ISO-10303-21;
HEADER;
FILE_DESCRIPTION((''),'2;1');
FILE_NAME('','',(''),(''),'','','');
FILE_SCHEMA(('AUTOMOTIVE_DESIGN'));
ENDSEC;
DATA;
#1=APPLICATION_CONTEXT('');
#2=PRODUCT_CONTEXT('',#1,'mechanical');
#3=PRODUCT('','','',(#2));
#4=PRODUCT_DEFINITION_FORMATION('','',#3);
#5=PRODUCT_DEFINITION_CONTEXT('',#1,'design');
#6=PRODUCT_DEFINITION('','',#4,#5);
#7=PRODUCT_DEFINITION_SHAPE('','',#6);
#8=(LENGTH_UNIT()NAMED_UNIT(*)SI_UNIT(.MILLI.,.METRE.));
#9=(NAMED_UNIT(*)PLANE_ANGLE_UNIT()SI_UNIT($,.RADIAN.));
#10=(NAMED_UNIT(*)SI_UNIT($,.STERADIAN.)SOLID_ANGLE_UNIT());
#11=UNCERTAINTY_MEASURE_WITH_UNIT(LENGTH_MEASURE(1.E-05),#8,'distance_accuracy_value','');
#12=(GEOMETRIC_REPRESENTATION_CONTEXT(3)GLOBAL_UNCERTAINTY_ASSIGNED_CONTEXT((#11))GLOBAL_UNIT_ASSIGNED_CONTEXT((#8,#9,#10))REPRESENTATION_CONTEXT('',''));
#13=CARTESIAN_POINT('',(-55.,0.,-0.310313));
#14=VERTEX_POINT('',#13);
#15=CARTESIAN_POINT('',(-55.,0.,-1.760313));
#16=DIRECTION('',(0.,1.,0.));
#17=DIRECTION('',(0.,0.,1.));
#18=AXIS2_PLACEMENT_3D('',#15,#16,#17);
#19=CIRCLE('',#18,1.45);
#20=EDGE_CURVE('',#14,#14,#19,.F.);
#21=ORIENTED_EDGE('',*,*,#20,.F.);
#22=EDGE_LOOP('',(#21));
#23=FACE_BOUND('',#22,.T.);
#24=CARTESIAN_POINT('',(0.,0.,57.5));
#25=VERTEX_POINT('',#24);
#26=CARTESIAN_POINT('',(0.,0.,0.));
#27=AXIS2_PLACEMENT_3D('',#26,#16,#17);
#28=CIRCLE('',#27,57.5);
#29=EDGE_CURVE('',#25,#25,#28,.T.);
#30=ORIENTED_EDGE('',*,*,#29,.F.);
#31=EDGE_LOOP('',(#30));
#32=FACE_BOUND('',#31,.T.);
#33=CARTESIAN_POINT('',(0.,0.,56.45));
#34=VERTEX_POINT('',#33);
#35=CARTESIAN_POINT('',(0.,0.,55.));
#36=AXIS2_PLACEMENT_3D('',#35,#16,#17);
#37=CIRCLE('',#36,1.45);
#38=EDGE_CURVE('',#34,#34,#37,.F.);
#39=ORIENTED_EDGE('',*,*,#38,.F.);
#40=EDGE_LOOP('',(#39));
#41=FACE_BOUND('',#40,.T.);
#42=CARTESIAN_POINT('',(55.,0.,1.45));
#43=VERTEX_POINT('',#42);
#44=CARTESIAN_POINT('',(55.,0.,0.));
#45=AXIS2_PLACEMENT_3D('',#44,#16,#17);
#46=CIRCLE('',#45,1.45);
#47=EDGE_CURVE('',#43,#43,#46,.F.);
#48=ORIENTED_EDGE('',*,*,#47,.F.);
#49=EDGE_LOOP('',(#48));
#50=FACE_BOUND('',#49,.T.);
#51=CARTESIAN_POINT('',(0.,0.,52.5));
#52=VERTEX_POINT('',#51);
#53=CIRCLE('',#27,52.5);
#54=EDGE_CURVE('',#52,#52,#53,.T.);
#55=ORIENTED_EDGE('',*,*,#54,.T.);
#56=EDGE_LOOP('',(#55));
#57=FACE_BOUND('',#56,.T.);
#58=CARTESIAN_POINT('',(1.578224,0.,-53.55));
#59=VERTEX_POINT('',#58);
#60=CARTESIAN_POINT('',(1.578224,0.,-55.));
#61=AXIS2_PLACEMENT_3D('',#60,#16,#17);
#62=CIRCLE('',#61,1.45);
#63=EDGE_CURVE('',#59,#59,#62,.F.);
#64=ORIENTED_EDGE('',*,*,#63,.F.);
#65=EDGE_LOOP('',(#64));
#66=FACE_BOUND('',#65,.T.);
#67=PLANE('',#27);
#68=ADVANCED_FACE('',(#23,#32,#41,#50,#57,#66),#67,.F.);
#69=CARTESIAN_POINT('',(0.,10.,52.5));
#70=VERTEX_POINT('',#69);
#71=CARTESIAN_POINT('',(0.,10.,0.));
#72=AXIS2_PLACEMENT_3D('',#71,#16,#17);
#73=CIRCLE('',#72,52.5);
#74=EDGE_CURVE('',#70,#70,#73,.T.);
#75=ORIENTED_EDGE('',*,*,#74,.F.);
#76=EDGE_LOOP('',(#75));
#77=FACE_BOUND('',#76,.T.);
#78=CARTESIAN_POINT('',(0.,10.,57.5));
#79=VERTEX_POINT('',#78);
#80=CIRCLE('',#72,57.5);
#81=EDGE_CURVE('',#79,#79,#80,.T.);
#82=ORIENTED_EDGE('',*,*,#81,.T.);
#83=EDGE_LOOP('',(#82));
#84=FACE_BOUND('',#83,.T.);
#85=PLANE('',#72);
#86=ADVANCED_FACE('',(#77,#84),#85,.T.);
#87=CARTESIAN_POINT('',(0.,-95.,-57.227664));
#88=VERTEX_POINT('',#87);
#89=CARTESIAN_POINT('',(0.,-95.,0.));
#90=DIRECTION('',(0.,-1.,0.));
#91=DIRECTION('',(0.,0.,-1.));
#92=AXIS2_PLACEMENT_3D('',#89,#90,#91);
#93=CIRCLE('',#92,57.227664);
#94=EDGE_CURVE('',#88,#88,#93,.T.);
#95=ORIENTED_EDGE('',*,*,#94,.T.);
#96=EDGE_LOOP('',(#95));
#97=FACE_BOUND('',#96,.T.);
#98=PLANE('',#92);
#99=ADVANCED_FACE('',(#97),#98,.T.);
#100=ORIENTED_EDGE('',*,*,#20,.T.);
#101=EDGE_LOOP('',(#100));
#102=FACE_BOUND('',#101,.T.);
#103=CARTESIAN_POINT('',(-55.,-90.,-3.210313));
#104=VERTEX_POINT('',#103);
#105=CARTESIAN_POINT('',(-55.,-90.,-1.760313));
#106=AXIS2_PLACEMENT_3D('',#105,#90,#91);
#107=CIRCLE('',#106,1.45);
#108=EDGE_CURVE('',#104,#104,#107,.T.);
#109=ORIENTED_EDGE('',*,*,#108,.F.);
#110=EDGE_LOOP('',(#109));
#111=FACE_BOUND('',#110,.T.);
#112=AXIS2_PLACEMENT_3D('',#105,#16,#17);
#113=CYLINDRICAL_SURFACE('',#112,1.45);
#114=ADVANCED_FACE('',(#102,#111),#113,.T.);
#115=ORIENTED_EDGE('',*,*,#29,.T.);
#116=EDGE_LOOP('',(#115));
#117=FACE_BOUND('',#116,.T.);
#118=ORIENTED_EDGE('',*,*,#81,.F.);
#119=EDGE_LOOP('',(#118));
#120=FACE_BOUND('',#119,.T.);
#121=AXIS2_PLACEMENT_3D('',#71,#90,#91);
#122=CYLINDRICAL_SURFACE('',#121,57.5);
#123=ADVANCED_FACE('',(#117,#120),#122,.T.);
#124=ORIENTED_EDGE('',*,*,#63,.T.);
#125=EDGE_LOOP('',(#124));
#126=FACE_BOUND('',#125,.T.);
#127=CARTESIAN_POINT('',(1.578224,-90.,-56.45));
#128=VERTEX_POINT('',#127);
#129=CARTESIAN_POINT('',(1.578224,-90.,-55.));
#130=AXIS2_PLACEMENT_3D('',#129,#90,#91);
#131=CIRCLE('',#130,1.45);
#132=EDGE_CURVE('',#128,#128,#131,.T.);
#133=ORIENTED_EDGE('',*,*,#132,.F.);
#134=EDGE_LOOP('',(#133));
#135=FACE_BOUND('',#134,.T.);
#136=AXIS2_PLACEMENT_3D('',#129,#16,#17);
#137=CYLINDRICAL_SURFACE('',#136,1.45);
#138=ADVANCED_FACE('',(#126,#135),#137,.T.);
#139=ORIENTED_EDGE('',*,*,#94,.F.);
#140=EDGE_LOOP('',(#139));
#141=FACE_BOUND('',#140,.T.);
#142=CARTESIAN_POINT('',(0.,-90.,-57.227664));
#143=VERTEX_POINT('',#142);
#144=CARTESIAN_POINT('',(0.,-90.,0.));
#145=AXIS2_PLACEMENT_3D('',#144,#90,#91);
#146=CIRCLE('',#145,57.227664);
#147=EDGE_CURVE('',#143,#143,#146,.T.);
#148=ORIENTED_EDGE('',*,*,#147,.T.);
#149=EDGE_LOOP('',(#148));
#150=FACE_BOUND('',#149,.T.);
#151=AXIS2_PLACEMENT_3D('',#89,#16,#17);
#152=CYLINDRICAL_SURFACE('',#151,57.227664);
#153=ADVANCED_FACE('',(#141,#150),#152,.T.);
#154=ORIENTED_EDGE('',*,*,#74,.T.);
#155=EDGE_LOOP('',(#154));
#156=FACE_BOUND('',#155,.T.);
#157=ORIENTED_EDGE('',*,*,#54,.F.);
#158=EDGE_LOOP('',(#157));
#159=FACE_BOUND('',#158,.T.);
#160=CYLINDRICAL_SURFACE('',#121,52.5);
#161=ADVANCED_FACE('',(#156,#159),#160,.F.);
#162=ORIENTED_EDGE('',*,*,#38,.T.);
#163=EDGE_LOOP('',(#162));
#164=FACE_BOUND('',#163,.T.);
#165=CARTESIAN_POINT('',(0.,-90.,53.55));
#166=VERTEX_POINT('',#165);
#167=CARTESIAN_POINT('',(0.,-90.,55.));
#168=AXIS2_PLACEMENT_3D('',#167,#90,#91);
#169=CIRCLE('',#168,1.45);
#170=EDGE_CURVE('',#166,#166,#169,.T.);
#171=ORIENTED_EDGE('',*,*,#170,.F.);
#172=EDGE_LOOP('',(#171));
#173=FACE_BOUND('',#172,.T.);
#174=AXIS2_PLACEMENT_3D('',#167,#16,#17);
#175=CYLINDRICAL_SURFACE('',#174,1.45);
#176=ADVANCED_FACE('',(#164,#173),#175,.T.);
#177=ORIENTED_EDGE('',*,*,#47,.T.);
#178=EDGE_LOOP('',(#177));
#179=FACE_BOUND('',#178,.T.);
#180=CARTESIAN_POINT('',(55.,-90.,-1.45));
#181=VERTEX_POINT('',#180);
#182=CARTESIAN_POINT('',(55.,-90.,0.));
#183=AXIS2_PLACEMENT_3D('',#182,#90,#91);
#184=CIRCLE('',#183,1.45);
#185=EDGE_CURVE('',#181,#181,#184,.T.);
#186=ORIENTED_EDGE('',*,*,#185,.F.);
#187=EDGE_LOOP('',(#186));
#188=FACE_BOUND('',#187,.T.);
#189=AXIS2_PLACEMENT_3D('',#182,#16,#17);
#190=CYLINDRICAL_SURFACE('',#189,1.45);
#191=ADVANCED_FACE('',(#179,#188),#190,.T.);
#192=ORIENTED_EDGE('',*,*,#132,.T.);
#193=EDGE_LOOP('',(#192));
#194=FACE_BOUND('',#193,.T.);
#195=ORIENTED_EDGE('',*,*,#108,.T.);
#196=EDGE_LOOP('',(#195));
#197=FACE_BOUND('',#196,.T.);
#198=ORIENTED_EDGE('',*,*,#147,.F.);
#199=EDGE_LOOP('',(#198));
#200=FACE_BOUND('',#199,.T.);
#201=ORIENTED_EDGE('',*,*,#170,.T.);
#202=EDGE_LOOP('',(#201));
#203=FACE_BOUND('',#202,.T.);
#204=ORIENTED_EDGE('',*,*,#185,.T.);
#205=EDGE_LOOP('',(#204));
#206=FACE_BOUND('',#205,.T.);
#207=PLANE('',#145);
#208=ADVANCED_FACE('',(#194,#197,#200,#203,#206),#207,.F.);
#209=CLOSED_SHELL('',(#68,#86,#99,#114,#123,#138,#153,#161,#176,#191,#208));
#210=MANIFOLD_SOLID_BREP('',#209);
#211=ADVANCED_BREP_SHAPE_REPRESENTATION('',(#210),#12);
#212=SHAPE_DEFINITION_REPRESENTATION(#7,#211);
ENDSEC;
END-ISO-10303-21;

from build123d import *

# Parameters (mm, degrees)
SKETCH1_R           = 57.5
SKETCH1_R_2         = 52.5
BOSS_EXTRUDE1_DEPTH = 10
SKETCH2_R           = 1.45
BOSS_EXTRUDE2_DEPTH = 90
SKETCH4_R           = 57.227664134
BOSS_EXTRUDE3_DEPTH = 5


with BuildPart() as part:
    # Sketch1 → Boss-Extrude1 (new body)
    with BuildSketch(Plane(origin=(0, 0, 0), x_dir=(1, 0, 0), z_dir=(0, 1, 0))):
        Circle(SKETCH1_R)
        Circle(SKETCH1_R_2, mode=Mode.SUBTRACT)
    extrude(amount=BOSS_EXTRUDE1_DEPTH)

    # Sketch2 → Boss-Extrude2 (add)
    with BuildSketch(Plane.XZ):
        with Locations((0, 55)):
            Circle(SKETCH2_R)
        with Locations((1.578223765, -55)):
            Circle(SKETCH2_R)
        with Locations((55, 0)):
            Circle(SKETCH2_R)
        with Locations((-55, -1.760313132)):
            Circle(SKETCH2_R)
    extrude(amount=BOSS_EXTRUDE2_DEPTH)

    # Sketch4 → Boss-Extrude3 (add)
    with BuildSketch(Plane(origin=(0, -90, 0), x_dir=(-1, 0, 0), z_dir=(0, -1, 0))):
        Circle(SKETCH4_R)
    extrude(amount=BOSS_EXTRUDE3_DEPTH)


solid = part.part
